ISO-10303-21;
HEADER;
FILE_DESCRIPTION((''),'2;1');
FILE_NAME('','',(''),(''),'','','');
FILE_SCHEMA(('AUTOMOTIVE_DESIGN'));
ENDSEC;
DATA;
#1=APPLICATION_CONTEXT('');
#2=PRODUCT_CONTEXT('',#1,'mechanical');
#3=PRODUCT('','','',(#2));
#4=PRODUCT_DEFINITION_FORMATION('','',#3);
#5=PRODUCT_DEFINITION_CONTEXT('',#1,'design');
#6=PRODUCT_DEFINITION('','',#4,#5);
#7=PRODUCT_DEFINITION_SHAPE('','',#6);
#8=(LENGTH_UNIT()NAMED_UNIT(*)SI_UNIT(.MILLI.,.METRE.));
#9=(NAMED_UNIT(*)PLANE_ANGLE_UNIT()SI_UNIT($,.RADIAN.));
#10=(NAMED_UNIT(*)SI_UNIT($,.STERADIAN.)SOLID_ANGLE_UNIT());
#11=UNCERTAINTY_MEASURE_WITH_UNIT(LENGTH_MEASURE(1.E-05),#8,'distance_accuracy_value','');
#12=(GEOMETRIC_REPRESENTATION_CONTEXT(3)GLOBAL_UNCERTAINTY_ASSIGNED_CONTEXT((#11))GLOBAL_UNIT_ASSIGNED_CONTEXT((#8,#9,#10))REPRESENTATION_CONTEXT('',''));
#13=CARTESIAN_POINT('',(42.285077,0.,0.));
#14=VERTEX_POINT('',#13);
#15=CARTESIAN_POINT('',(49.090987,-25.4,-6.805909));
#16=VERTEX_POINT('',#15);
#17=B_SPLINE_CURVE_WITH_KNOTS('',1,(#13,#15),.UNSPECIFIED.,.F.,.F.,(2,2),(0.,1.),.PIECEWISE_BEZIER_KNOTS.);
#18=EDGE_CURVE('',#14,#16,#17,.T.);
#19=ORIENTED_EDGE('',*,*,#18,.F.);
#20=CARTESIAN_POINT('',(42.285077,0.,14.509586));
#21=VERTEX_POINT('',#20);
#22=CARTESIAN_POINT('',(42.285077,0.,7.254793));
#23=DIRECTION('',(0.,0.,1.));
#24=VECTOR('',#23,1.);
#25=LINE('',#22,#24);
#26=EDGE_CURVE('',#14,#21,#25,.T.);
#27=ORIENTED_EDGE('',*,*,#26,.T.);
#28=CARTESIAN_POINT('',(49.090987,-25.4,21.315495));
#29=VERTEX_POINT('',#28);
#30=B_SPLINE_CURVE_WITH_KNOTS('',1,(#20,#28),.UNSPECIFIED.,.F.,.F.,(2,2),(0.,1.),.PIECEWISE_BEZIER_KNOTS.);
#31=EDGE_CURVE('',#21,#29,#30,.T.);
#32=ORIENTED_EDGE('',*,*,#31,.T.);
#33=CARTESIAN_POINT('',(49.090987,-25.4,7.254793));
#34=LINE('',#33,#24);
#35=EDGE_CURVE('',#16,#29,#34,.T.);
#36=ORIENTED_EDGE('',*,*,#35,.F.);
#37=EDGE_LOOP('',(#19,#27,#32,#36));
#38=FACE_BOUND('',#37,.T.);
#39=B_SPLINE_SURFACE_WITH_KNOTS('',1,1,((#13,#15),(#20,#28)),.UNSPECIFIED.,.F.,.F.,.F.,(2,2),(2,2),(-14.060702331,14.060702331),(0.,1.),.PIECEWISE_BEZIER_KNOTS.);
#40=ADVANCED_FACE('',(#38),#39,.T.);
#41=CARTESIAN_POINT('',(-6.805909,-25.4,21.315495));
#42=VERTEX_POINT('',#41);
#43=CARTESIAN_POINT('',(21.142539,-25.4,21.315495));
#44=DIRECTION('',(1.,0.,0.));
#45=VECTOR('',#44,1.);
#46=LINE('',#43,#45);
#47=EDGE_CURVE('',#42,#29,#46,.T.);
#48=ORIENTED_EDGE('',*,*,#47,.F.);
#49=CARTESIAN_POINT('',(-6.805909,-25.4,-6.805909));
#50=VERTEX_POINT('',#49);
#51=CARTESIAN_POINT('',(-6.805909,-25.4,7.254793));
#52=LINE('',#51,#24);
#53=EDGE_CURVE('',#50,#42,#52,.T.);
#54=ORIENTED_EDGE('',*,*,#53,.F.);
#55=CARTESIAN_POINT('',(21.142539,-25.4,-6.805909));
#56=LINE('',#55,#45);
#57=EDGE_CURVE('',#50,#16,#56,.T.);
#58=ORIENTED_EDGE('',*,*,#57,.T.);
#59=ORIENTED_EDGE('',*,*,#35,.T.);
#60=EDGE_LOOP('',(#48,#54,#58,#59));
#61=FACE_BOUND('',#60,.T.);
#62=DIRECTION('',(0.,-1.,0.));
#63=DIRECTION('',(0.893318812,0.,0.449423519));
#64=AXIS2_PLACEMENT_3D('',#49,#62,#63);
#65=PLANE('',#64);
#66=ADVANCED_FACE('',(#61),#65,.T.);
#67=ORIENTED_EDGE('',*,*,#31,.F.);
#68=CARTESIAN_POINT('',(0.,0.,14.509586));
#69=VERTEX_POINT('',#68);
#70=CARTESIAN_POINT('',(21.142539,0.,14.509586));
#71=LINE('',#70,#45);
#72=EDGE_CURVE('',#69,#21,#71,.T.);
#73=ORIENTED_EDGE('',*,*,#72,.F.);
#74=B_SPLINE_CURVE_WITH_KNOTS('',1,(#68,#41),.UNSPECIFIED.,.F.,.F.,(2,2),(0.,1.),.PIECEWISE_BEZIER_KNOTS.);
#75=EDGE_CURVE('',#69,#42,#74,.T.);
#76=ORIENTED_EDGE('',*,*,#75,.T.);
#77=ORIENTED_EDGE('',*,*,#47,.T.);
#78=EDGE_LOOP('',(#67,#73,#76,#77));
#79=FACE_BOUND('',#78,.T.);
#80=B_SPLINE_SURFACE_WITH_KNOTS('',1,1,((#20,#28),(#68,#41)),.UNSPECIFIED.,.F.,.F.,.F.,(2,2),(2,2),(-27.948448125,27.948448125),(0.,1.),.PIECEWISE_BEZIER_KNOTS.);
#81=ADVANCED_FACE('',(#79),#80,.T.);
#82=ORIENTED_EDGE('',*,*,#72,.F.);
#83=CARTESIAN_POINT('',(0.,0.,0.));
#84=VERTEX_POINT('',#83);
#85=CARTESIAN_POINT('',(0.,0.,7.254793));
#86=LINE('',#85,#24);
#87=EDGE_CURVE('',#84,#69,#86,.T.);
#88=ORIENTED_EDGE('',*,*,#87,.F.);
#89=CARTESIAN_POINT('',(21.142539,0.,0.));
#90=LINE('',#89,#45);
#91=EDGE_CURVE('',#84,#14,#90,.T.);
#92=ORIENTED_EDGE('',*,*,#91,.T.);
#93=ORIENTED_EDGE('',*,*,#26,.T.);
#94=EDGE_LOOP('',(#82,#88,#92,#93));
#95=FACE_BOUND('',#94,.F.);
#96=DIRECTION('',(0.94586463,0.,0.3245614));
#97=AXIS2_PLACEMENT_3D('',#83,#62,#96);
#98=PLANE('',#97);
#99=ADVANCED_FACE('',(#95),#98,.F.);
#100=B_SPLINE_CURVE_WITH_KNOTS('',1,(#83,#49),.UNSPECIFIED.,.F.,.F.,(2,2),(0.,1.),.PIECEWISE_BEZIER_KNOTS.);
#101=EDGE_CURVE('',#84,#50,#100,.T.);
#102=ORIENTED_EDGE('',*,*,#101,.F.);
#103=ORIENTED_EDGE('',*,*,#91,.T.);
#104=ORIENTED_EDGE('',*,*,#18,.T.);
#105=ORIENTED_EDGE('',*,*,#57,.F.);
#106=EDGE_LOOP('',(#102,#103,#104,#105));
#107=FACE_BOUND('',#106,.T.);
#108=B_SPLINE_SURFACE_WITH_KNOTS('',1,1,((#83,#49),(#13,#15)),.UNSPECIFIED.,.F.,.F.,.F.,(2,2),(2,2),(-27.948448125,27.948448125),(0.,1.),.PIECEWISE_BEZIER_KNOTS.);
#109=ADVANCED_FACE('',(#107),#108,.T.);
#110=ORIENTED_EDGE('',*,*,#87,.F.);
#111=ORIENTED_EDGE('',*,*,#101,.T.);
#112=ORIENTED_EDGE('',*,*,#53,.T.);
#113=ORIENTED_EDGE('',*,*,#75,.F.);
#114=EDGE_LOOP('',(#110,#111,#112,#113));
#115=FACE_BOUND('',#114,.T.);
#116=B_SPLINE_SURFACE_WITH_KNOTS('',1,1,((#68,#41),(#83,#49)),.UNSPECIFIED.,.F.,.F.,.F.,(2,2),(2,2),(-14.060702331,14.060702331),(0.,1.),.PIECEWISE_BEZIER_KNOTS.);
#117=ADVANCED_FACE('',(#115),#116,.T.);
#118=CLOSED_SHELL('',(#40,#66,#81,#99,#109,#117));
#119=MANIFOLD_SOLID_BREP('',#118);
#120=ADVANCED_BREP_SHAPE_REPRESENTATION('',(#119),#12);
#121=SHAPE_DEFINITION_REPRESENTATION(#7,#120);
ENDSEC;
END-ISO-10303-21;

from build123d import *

# Parameters (mm, degrees)
F0_W     = 42.2850772738
F0_H     = 14.509585686
F1_DEPTH = 25.4
F1_TAPER = -15


with BuildPart() as f1:
    # F0 (on Front) → F1 (new body)
    with BuildSketch(Plane.XZ):
        with Locations((21.1425386369, 7.254792843)):
            Rectangle(F0_W, F0_H)
    extrude(amount=F1_DEPTH, taper=F1_TAPER)


solid = f1.part
